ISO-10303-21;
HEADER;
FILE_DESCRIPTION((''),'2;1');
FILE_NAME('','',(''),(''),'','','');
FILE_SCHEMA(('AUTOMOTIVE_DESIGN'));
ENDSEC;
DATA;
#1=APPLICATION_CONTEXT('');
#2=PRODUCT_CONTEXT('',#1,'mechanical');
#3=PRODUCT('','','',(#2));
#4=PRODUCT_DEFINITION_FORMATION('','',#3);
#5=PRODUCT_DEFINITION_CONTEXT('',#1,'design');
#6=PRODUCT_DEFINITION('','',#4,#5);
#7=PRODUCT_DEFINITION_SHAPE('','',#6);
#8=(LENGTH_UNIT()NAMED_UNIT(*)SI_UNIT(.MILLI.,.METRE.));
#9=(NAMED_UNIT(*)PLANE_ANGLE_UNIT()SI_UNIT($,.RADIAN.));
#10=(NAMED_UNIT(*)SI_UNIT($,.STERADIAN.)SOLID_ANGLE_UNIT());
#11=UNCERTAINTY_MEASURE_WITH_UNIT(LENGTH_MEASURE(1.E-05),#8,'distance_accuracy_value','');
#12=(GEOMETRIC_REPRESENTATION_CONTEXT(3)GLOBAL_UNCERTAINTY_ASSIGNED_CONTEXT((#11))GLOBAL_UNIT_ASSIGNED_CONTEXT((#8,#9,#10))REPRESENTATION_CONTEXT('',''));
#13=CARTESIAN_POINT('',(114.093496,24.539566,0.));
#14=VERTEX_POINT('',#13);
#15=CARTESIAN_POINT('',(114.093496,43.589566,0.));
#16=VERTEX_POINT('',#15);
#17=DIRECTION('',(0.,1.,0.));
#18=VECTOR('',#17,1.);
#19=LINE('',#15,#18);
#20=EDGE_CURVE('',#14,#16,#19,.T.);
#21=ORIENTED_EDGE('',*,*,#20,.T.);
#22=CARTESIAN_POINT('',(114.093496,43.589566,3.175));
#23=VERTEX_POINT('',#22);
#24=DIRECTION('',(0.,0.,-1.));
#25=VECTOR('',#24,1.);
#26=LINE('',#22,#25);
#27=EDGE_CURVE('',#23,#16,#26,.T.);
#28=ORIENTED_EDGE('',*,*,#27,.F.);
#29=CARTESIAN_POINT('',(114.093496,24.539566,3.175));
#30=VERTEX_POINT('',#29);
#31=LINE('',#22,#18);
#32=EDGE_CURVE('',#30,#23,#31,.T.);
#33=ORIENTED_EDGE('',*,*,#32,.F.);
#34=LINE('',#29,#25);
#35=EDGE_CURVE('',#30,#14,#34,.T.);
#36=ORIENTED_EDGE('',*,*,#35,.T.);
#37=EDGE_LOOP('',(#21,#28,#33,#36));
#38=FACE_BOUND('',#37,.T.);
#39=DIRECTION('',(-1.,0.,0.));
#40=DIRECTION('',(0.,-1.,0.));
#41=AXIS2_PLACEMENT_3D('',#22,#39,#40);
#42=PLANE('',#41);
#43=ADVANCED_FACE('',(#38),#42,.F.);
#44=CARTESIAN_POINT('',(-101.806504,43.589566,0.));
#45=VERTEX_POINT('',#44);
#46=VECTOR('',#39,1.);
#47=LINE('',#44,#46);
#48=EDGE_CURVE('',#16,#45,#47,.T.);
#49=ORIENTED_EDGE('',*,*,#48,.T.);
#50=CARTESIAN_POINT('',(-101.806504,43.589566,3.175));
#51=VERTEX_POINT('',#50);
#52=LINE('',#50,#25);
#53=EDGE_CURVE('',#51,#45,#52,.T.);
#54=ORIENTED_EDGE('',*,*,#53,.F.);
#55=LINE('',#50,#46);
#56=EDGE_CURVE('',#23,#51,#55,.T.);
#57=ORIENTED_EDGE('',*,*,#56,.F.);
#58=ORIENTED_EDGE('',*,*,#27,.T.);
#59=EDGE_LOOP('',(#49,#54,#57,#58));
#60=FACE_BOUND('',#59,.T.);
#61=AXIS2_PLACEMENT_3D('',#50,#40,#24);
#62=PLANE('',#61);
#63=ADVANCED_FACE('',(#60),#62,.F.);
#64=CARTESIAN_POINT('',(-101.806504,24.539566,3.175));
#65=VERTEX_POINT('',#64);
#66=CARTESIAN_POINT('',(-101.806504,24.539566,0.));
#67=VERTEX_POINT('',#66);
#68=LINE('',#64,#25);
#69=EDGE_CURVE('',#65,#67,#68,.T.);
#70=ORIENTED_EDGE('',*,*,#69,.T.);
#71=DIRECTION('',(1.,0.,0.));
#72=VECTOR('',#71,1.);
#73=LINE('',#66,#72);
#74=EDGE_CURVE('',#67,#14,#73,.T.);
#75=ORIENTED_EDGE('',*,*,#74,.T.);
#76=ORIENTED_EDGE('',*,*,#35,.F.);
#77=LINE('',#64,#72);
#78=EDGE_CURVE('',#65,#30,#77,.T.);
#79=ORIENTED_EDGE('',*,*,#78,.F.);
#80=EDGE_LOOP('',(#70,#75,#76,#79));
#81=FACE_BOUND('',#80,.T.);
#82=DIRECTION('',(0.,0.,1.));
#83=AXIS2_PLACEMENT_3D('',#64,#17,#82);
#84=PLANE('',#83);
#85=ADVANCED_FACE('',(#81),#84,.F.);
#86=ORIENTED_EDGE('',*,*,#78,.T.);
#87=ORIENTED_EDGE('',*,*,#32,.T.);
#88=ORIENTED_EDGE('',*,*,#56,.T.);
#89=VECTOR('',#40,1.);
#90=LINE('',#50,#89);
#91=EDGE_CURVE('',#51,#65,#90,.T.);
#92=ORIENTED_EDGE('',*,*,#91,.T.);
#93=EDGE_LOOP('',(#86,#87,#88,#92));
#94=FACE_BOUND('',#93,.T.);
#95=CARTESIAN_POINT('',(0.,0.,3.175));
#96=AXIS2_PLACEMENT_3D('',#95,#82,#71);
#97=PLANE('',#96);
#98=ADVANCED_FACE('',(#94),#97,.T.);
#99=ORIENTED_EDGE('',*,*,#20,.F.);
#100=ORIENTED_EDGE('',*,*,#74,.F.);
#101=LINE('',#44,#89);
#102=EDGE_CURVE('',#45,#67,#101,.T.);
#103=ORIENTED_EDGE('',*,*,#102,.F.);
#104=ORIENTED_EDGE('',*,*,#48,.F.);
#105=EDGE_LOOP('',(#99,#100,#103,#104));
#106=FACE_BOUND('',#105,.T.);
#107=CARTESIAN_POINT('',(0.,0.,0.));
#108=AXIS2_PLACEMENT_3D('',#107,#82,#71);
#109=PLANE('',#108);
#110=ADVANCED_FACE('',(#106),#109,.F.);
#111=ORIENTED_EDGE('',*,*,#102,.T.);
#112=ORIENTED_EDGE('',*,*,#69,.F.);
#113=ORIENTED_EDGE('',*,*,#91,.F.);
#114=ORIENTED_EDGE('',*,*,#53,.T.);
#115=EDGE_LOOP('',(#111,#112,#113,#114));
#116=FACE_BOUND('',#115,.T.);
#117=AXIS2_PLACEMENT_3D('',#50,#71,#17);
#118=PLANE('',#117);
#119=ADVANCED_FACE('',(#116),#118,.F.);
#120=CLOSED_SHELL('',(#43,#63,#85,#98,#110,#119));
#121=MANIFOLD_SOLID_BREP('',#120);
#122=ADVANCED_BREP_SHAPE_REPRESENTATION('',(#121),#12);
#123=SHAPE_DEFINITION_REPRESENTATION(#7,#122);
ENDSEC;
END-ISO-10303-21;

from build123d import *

# Parameters (mm, degrees)
SKETCH1_W           = 215.9
SKETCH1_H           = 19.05
BOSS_EXTRUDE1_DEPTH = 3.175


with BuildPart() as part:
    # Sketch1 → Boss-Extrude1 (new body)
    with BuildSketch(Plane.XY):
        with Locations((6.143495935, 34.064566396)):
            Rectangle(SKETCH1_W, SKETCH1_H)
    extrude(amount=BOSS_EXTRUDE1_DEPTH)


solid = part.part
